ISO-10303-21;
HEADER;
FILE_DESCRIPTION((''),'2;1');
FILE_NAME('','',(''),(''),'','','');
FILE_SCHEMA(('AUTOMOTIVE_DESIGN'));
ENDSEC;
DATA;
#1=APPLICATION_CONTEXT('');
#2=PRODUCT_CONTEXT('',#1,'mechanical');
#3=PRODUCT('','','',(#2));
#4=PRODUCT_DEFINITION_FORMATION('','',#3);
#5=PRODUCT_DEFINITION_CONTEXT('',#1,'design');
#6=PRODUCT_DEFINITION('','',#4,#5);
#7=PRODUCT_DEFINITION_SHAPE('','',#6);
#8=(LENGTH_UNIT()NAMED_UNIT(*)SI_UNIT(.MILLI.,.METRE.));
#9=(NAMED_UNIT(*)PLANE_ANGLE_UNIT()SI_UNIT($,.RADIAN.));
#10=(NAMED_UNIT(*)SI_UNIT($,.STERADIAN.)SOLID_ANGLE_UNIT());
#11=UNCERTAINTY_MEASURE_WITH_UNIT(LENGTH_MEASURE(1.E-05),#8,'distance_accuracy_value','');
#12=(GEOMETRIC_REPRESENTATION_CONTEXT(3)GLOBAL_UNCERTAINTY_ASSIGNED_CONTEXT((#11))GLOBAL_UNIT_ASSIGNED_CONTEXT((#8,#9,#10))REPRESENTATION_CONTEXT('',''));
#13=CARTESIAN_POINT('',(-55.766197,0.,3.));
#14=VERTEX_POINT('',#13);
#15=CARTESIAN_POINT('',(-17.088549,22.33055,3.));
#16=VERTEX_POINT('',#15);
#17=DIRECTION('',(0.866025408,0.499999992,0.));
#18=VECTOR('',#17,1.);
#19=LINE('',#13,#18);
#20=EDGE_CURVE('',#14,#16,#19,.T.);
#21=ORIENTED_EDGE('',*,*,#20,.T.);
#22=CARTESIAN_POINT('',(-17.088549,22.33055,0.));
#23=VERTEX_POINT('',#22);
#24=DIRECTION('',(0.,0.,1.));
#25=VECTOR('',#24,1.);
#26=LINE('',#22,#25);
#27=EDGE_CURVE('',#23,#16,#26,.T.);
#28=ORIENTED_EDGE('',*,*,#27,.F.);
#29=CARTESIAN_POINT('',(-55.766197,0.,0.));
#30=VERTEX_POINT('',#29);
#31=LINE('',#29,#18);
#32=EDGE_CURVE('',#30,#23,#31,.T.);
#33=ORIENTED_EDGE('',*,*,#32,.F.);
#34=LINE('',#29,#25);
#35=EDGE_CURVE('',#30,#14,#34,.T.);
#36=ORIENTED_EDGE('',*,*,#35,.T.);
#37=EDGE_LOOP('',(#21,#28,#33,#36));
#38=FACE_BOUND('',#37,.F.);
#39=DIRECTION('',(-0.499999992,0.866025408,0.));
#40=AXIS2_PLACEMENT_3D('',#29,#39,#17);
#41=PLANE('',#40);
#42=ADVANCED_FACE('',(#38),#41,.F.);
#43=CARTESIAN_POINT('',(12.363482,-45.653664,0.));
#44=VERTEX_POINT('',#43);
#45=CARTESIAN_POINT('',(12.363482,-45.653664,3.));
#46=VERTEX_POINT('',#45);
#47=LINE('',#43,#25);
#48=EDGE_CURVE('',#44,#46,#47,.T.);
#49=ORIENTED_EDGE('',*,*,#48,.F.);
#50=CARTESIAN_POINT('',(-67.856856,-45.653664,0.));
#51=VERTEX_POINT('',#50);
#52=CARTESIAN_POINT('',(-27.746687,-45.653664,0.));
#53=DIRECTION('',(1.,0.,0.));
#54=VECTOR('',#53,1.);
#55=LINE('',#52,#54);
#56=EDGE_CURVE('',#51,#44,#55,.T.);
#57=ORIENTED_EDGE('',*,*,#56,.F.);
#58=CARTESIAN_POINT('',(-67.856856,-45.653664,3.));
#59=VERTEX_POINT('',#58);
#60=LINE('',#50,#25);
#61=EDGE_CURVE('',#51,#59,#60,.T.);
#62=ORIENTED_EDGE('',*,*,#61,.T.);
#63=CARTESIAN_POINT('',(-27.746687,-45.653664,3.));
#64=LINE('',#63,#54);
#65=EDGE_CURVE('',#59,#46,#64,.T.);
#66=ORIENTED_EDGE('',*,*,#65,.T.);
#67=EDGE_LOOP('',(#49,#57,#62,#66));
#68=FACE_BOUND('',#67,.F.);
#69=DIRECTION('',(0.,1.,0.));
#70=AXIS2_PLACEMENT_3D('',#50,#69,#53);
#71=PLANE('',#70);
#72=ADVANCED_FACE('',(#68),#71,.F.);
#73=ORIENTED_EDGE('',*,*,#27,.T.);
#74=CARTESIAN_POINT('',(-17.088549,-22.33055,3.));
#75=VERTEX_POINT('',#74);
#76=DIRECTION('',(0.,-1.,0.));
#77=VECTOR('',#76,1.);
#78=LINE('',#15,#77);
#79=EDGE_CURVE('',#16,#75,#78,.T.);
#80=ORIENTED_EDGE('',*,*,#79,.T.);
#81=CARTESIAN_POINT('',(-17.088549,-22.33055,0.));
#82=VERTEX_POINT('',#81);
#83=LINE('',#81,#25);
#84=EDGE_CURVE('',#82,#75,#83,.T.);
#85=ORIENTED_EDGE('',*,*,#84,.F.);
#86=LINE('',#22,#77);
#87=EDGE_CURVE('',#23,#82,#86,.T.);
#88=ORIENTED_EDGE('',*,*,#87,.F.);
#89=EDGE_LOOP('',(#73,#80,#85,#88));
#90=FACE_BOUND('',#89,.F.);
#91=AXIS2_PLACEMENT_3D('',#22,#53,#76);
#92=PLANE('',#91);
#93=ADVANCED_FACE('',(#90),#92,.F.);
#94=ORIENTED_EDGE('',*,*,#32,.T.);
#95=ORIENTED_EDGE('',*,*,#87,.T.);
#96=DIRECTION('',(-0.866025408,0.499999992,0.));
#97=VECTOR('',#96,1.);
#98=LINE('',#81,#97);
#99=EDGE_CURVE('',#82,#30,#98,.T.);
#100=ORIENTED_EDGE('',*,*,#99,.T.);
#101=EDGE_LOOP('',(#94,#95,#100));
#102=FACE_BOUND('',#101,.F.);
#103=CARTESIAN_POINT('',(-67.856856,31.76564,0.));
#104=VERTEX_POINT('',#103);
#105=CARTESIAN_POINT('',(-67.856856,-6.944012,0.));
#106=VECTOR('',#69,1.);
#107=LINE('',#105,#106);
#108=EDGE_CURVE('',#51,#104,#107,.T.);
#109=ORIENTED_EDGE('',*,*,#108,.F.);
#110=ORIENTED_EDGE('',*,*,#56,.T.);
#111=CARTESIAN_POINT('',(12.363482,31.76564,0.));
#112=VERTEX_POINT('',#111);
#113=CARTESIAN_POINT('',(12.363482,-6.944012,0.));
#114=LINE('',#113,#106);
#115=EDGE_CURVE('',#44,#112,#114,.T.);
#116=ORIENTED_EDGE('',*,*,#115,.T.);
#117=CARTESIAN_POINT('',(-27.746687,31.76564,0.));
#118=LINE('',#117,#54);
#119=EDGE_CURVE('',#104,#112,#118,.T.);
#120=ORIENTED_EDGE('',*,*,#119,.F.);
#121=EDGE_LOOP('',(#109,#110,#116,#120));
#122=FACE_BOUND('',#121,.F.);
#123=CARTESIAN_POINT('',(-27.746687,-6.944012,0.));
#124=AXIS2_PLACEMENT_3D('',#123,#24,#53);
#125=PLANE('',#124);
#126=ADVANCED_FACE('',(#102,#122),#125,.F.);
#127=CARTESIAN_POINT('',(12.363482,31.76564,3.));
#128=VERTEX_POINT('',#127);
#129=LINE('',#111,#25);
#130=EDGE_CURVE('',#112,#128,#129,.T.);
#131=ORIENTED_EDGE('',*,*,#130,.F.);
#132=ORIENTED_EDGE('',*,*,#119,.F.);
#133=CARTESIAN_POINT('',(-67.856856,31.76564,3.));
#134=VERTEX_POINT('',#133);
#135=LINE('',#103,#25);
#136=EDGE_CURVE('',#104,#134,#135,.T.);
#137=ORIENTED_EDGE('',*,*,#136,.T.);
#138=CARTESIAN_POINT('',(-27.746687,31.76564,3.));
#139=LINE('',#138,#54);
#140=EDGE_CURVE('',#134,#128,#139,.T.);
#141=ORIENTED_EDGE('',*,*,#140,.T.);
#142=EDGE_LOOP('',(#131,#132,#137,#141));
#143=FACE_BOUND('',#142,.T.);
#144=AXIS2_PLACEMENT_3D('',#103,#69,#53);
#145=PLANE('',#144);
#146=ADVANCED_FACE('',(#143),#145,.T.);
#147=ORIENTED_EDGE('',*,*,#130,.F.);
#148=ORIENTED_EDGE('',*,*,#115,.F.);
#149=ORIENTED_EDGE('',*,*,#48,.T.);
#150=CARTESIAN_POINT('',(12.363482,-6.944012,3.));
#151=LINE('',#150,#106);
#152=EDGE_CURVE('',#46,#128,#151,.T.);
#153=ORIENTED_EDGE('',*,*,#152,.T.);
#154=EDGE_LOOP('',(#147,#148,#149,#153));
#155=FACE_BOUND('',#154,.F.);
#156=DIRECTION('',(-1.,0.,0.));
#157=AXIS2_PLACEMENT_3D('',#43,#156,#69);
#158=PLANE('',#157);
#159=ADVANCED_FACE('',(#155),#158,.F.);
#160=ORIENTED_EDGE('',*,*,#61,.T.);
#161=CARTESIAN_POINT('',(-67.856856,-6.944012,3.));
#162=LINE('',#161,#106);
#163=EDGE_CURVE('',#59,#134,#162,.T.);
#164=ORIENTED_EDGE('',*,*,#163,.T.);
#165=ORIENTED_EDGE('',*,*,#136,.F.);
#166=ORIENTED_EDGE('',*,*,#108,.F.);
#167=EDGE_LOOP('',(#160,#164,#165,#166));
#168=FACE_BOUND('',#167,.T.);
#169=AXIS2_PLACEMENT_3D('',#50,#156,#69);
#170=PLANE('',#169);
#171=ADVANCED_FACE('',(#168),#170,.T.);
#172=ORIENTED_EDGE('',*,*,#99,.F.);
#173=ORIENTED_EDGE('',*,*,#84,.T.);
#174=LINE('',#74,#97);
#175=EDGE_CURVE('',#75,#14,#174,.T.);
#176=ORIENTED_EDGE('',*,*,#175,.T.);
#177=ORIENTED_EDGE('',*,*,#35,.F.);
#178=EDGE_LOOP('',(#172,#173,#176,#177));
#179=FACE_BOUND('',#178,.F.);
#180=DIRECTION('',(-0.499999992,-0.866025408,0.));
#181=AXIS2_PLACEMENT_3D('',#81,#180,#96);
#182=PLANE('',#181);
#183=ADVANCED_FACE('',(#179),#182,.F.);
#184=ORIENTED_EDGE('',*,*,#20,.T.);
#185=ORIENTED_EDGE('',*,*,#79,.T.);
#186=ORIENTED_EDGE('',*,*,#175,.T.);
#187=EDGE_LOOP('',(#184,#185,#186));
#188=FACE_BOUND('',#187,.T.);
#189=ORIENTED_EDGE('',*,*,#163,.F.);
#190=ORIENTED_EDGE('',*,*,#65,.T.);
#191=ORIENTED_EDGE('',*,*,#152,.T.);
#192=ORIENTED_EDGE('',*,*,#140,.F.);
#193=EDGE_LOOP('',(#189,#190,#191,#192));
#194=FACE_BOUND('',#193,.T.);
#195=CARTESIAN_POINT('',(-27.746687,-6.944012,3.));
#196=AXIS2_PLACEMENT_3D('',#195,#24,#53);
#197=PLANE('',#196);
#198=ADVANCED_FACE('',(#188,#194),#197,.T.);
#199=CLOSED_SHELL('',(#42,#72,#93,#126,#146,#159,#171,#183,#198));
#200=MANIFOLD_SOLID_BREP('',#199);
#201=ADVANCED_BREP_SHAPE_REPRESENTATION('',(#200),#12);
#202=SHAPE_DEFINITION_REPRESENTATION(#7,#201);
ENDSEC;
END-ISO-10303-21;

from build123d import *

# Parameters (mm, degrees)
F0_W     = 80.220338
F0_H     = 77.419305
F1_DEPTH = 3


with BuildPart() as f1:
    # F0 (on Top) → F1 (new body)
    with BuildSketch(Plane.XY):
        with Locations((-27.746687, -6.944012)):
            Rectangle(F0_W, F0_H)
        Polygon((-55.766197, 0), (-17.088549, 22.33055), (-17.088549, -22.33055), align=None, mode=Mode.SUBTRACT)
    extrude(amount=F1_DEPTH)


solid = f1.part
